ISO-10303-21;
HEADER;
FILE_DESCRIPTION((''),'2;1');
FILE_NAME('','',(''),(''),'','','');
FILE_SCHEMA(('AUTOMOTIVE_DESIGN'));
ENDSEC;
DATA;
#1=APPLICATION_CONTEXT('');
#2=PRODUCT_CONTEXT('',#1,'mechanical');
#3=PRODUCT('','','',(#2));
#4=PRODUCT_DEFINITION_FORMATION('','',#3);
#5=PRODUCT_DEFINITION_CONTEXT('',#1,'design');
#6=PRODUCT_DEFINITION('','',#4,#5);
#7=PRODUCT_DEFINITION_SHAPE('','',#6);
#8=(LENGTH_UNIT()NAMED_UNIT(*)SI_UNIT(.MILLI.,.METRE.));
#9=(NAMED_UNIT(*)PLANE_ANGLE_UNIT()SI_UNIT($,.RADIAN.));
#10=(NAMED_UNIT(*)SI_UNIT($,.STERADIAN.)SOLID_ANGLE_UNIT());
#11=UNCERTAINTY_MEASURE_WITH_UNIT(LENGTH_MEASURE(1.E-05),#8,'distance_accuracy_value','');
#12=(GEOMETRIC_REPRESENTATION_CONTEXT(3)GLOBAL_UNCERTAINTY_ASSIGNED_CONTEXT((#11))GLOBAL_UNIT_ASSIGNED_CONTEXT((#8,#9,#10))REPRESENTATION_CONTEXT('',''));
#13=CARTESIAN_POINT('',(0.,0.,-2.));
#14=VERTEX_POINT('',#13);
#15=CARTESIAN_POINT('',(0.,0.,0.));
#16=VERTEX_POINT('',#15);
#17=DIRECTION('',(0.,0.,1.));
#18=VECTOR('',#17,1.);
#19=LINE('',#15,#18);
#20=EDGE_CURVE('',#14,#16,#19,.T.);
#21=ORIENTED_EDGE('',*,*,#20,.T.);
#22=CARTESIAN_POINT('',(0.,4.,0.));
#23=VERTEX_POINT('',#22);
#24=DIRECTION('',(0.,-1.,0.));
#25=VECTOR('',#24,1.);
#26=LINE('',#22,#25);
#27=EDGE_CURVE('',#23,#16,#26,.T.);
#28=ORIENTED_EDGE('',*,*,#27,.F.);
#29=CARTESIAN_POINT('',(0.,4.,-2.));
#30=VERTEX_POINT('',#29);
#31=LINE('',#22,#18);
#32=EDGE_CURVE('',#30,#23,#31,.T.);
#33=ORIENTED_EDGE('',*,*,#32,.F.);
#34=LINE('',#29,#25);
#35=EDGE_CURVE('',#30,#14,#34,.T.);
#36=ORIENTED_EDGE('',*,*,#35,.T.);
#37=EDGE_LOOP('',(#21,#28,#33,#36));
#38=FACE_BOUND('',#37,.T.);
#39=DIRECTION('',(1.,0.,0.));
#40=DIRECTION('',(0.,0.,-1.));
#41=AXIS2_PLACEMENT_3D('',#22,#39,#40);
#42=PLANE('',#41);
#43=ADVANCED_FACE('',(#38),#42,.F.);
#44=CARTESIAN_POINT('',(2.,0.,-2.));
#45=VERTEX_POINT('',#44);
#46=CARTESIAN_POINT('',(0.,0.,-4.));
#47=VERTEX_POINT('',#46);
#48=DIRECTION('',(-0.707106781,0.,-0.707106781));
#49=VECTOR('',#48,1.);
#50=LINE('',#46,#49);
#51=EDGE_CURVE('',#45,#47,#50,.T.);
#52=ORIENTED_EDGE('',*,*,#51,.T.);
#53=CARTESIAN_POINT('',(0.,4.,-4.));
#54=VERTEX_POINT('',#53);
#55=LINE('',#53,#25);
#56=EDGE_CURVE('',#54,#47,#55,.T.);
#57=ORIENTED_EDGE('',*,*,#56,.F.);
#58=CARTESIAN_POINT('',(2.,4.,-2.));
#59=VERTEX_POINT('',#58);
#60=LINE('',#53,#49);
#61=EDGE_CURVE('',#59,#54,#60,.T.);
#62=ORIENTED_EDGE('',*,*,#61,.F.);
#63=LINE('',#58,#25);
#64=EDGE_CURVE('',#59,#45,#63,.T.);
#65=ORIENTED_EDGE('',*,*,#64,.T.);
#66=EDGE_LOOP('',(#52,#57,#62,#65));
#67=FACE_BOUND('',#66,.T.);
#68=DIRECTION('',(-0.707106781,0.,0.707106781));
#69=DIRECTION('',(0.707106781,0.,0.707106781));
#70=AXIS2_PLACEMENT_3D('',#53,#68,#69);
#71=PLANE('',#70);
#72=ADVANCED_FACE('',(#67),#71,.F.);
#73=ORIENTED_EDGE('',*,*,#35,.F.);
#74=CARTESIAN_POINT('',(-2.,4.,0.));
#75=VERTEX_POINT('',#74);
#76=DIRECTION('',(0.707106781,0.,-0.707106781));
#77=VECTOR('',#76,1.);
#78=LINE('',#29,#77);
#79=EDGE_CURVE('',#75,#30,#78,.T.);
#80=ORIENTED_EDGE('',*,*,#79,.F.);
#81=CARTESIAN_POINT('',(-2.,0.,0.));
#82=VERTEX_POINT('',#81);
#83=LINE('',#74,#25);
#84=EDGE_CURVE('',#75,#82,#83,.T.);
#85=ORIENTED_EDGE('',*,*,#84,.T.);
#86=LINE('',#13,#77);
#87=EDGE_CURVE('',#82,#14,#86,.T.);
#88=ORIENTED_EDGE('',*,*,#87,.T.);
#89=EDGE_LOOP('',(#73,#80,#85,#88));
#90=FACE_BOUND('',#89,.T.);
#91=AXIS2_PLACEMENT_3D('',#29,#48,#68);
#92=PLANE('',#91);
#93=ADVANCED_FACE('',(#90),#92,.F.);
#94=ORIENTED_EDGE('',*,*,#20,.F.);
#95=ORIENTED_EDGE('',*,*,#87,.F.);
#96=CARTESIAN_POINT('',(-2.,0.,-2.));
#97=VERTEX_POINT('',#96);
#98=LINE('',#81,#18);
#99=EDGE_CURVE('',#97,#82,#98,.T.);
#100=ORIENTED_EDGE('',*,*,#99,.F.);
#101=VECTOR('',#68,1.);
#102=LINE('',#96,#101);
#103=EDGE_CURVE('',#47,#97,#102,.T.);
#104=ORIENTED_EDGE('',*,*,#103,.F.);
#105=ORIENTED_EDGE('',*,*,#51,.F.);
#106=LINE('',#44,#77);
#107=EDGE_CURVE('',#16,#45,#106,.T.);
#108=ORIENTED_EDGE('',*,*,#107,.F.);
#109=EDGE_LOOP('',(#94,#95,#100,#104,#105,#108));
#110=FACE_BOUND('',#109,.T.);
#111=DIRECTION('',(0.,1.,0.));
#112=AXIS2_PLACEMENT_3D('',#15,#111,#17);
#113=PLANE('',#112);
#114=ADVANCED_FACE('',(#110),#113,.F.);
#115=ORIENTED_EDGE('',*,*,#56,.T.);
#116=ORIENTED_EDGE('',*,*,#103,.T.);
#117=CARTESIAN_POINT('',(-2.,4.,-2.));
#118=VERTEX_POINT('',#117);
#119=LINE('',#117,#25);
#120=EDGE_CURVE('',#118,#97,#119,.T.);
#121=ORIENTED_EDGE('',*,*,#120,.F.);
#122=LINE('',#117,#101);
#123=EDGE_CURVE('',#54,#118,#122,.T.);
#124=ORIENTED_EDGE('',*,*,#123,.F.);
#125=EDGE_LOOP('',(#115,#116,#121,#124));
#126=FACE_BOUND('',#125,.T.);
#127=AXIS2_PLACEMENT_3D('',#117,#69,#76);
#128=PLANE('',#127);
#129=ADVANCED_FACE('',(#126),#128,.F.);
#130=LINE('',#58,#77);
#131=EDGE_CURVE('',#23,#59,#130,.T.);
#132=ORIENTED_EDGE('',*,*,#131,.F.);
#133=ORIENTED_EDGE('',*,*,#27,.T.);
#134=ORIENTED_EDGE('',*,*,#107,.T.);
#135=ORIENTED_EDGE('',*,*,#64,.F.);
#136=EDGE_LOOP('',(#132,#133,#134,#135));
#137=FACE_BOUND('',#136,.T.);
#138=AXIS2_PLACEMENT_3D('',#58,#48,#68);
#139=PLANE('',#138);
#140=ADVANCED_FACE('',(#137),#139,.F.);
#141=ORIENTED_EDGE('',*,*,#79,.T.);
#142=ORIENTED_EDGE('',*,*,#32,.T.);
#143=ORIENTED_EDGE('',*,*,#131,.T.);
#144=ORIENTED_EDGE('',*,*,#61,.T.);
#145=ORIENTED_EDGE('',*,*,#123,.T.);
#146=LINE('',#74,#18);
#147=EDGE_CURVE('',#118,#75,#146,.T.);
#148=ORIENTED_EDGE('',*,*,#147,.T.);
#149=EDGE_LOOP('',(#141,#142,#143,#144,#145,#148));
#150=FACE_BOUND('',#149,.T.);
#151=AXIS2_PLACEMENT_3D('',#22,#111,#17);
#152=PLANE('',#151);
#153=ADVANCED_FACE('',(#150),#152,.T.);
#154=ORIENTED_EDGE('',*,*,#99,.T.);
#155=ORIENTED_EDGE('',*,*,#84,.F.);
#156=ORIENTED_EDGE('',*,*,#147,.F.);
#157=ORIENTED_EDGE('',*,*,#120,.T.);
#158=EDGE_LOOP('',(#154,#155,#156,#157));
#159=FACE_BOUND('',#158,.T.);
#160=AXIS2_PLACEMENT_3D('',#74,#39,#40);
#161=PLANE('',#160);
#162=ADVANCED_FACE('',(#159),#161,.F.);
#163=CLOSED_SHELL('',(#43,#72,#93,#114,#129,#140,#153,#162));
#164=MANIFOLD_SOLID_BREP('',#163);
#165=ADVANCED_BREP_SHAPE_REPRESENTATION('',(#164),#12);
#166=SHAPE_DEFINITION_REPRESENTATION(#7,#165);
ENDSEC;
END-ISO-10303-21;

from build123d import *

# Parameters (mm, degrees)
BOSS_EXTRUDE2_DEPTH = 4


with BuildPart() as part:
    # Sketch2 → Boss-Extrude2 (new body)
    with BuildSketch(Plane(origin=(0, 0, 0), x_dir=(1, 0, 0), z_dir=(0, 1, 0))):
        Polygon((0, 0), (0, 2), (-2, 0), (-2, 2), (0, 4), (2, 2), align=None)
    extrude(amount=BOSS_EXTRUDE2_DEPTH)


solid = part.part
